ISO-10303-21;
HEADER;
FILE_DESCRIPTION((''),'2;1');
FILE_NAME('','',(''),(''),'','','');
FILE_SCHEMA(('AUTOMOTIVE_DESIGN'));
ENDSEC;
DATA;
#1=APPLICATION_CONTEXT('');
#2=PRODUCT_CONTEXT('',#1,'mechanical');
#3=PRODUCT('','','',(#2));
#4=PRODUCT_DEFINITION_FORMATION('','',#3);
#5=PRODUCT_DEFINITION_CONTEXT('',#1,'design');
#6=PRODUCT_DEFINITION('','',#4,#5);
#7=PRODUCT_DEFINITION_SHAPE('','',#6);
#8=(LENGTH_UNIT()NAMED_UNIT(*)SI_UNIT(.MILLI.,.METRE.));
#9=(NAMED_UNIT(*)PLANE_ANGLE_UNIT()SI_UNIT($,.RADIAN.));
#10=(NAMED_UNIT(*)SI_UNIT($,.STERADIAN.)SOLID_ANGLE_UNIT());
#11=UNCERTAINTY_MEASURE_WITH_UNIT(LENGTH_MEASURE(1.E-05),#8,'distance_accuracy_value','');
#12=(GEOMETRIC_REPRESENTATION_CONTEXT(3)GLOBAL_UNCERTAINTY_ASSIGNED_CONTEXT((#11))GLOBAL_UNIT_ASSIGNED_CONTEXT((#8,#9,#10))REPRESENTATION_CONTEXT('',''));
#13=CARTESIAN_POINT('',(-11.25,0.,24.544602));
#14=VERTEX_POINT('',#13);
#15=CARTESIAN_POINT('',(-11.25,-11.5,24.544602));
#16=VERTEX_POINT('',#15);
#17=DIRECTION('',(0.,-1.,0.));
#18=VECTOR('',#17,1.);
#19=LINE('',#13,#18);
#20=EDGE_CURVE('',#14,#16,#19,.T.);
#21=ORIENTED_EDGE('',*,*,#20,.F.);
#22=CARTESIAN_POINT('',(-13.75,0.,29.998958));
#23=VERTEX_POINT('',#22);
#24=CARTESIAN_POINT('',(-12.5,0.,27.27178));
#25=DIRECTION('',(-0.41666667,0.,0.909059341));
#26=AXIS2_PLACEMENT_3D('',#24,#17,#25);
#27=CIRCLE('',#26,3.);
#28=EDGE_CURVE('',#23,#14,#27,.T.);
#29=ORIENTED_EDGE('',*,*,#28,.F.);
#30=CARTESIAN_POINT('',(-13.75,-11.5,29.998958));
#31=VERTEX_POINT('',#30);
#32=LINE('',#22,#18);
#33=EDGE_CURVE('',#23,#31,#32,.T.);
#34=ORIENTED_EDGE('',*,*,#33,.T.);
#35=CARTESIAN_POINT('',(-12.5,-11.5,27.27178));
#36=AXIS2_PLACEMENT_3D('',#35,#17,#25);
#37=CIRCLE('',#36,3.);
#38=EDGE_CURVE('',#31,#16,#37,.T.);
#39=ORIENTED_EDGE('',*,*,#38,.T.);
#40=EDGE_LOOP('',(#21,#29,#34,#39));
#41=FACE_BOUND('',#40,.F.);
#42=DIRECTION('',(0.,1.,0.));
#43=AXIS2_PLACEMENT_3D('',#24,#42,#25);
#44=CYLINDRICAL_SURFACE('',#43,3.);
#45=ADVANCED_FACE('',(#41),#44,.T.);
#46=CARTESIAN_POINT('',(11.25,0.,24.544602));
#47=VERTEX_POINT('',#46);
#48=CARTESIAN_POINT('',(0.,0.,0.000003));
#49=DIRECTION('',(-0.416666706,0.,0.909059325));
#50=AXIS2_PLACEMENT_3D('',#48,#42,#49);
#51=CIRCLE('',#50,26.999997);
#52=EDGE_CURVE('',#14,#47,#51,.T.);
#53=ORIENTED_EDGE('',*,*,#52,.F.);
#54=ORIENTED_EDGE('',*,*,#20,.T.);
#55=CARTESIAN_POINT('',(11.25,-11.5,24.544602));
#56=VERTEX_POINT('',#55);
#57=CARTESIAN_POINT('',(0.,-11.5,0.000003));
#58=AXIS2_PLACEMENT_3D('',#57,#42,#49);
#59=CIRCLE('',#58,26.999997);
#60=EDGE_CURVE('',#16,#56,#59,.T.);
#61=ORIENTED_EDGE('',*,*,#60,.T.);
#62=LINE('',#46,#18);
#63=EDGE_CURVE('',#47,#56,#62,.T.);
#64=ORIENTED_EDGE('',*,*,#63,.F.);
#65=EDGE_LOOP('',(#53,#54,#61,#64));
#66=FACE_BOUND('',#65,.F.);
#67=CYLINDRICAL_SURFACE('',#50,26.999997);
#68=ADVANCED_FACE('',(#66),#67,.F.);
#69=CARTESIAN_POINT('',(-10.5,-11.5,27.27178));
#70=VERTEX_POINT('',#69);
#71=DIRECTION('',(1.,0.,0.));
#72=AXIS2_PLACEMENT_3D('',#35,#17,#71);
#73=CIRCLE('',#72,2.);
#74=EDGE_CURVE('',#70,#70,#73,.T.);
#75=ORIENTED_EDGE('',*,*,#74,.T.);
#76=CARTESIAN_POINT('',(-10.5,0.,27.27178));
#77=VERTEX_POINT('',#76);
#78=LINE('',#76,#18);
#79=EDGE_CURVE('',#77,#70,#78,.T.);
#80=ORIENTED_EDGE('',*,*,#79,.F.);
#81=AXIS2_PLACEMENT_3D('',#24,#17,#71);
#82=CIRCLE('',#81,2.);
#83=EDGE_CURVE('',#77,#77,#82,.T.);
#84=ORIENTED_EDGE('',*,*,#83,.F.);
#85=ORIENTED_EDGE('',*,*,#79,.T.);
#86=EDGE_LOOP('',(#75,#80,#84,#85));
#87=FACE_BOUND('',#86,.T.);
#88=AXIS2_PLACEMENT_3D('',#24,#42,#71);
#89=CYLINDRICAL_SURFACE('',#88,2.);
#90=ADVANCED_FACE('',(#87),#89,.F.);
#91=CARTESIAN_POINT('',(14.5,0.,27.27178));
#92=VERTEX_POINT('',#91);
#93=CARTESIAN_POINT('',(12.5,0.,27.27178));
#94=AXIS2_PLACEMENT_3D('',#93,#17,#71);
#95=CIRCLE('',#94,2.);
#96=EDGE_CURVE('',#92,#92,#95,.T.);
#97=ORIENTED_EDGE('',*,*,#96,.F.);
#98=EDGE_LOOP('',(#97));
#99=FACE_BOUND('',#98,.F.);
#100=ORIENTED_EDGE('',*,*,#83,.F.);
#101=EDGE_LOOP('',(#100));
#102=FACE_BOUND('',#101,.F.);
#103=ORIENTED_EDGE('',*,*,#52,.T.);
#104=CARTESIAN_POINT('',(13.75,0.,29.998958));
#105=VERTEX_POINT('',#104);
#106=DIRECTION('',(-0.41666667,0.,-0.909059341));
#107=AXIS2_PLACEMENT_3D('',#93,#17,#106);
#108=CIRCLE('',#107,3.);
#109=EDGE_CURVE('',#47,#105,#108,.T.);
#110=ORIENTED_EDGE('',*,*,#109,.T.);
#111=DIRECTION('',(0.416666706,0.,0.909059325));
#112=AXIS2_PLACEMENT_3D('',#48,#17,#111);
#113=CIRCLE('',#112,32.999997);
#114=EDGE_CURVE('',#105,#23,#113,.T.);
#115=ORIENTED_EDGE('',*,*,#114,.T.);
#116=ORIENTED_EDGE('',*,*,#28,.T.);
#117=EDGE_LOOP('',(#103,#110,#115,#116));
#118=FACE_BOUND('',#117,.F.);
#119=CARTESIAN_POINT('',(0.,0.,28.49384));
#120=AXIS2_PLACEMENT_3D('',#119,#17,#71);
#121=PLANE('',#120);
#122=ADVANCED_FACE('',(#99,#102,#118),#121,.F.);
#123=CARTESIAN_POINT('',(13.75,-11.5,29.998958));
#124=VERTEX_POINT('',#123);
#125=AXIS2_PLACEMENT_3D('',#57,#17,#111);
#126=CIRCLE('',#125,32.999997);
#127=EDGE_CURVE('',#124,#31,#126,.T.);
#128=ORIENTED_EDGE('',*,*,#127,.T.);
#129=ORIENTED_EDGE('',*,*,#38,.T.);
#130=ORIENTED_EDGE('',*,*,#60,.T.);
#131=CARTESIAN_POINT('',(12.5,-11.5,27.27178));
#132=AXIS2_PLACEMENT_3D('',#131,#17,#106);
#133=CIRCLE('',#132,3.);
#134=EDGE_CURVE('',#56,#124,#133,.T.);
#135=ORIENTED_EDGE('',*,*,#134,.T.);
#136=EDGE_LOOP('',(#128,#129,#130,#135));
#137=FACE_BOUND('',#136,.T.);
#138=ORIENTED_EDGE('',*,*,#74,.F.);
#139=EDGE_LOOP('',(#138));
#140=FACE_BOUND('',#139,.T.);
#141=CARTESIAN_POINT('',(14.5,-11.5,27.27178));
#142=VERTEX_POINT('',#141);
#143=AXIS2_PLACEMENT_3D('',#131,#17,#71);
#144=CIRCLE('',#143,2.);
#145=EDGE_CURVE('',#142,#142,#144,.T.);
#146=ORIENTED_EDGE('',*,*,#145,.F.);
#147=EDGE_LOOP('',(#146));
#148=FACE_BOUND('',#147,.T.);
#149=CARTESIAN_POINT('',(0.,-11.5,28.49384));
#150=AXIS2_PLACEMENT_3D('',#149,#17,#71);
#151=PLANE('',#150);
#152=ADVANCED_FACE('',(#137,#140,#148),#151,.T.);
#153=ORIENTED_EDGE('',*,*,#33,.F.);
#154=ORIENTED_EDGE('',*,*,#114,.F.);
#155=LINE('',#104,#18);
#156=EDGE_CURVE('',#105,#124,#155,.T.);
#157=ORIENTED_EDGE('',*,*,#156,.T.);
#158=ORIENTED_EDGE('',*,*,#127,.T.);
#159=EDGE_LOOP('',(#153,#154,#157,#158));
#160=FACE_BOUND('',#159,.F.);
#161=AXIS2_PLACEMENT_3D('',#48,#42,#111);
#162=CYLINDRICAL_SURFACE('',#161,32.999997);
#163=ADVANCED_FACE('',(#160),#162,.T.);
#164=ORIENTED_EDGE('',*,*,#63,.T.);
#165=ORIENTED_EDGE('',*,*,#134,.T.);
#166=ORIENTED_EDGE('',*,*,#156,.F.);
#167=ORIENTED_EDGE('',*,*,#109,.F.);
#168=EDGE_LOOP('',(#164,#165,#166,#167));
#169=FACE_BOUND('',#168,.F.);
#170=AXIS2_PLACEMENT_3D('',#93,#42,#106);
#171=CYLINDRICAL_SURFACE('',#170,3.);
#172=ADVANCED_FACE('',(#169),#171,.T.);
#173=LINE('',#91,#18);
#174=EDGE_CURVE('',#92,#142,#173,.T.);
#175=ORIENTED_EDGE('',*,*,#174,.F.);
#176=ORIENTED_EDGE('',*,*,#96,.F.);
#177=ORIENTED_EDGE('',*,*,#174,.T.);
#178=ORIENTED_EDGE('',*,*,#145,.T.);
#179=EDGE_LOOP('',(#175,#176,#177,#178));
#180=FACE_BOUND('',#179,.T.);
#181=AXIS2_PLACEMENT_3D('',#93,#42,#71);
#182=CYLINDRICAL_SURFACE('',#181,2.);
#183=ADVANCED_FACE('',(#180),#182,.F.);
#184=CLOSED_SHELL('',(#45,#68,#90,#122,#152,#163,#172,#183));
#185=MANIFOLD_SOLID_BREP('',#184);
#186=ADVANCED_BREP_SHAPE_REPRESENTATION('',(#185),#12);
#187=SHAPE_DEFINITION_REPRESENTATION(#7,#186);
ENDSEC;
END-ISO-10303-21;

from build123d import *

# Parameters (mm, degrees)
F0_R     = 2
F1_DEPTH = 11.5


with BuildPart() as f1:
    # F0 (on Front) → F1 (new body)
    with BuildSketch(Plane.XZ):
        with BuildLine():
            ThreePointArc((11.25, 24.544602), (15.227178, 26.02178), (13.75, 29.998958))
            ThreePointArc((13.75, 29.998958), (0, 33), (-13.75, 29.998958))
            ThreePointArc((-13.75, 29.998958), (-15.227178, 26.02178), (-11.25, 24.544602))
            ThreePointArc((-11.25, 24.544602), (0, 27), (11.25, 24.544602))
        make_face()
        with Locations((-12.5, 27.27178)):
            Circle(F0_R, mode=Mode.SUBTRACT)
        with Locations((12.5, 27.27178)):
            Circle(F0_R, mode=Mode.SUBTRACT)
    extrude(amount=F1_DEPTH)


solid = f1.part
